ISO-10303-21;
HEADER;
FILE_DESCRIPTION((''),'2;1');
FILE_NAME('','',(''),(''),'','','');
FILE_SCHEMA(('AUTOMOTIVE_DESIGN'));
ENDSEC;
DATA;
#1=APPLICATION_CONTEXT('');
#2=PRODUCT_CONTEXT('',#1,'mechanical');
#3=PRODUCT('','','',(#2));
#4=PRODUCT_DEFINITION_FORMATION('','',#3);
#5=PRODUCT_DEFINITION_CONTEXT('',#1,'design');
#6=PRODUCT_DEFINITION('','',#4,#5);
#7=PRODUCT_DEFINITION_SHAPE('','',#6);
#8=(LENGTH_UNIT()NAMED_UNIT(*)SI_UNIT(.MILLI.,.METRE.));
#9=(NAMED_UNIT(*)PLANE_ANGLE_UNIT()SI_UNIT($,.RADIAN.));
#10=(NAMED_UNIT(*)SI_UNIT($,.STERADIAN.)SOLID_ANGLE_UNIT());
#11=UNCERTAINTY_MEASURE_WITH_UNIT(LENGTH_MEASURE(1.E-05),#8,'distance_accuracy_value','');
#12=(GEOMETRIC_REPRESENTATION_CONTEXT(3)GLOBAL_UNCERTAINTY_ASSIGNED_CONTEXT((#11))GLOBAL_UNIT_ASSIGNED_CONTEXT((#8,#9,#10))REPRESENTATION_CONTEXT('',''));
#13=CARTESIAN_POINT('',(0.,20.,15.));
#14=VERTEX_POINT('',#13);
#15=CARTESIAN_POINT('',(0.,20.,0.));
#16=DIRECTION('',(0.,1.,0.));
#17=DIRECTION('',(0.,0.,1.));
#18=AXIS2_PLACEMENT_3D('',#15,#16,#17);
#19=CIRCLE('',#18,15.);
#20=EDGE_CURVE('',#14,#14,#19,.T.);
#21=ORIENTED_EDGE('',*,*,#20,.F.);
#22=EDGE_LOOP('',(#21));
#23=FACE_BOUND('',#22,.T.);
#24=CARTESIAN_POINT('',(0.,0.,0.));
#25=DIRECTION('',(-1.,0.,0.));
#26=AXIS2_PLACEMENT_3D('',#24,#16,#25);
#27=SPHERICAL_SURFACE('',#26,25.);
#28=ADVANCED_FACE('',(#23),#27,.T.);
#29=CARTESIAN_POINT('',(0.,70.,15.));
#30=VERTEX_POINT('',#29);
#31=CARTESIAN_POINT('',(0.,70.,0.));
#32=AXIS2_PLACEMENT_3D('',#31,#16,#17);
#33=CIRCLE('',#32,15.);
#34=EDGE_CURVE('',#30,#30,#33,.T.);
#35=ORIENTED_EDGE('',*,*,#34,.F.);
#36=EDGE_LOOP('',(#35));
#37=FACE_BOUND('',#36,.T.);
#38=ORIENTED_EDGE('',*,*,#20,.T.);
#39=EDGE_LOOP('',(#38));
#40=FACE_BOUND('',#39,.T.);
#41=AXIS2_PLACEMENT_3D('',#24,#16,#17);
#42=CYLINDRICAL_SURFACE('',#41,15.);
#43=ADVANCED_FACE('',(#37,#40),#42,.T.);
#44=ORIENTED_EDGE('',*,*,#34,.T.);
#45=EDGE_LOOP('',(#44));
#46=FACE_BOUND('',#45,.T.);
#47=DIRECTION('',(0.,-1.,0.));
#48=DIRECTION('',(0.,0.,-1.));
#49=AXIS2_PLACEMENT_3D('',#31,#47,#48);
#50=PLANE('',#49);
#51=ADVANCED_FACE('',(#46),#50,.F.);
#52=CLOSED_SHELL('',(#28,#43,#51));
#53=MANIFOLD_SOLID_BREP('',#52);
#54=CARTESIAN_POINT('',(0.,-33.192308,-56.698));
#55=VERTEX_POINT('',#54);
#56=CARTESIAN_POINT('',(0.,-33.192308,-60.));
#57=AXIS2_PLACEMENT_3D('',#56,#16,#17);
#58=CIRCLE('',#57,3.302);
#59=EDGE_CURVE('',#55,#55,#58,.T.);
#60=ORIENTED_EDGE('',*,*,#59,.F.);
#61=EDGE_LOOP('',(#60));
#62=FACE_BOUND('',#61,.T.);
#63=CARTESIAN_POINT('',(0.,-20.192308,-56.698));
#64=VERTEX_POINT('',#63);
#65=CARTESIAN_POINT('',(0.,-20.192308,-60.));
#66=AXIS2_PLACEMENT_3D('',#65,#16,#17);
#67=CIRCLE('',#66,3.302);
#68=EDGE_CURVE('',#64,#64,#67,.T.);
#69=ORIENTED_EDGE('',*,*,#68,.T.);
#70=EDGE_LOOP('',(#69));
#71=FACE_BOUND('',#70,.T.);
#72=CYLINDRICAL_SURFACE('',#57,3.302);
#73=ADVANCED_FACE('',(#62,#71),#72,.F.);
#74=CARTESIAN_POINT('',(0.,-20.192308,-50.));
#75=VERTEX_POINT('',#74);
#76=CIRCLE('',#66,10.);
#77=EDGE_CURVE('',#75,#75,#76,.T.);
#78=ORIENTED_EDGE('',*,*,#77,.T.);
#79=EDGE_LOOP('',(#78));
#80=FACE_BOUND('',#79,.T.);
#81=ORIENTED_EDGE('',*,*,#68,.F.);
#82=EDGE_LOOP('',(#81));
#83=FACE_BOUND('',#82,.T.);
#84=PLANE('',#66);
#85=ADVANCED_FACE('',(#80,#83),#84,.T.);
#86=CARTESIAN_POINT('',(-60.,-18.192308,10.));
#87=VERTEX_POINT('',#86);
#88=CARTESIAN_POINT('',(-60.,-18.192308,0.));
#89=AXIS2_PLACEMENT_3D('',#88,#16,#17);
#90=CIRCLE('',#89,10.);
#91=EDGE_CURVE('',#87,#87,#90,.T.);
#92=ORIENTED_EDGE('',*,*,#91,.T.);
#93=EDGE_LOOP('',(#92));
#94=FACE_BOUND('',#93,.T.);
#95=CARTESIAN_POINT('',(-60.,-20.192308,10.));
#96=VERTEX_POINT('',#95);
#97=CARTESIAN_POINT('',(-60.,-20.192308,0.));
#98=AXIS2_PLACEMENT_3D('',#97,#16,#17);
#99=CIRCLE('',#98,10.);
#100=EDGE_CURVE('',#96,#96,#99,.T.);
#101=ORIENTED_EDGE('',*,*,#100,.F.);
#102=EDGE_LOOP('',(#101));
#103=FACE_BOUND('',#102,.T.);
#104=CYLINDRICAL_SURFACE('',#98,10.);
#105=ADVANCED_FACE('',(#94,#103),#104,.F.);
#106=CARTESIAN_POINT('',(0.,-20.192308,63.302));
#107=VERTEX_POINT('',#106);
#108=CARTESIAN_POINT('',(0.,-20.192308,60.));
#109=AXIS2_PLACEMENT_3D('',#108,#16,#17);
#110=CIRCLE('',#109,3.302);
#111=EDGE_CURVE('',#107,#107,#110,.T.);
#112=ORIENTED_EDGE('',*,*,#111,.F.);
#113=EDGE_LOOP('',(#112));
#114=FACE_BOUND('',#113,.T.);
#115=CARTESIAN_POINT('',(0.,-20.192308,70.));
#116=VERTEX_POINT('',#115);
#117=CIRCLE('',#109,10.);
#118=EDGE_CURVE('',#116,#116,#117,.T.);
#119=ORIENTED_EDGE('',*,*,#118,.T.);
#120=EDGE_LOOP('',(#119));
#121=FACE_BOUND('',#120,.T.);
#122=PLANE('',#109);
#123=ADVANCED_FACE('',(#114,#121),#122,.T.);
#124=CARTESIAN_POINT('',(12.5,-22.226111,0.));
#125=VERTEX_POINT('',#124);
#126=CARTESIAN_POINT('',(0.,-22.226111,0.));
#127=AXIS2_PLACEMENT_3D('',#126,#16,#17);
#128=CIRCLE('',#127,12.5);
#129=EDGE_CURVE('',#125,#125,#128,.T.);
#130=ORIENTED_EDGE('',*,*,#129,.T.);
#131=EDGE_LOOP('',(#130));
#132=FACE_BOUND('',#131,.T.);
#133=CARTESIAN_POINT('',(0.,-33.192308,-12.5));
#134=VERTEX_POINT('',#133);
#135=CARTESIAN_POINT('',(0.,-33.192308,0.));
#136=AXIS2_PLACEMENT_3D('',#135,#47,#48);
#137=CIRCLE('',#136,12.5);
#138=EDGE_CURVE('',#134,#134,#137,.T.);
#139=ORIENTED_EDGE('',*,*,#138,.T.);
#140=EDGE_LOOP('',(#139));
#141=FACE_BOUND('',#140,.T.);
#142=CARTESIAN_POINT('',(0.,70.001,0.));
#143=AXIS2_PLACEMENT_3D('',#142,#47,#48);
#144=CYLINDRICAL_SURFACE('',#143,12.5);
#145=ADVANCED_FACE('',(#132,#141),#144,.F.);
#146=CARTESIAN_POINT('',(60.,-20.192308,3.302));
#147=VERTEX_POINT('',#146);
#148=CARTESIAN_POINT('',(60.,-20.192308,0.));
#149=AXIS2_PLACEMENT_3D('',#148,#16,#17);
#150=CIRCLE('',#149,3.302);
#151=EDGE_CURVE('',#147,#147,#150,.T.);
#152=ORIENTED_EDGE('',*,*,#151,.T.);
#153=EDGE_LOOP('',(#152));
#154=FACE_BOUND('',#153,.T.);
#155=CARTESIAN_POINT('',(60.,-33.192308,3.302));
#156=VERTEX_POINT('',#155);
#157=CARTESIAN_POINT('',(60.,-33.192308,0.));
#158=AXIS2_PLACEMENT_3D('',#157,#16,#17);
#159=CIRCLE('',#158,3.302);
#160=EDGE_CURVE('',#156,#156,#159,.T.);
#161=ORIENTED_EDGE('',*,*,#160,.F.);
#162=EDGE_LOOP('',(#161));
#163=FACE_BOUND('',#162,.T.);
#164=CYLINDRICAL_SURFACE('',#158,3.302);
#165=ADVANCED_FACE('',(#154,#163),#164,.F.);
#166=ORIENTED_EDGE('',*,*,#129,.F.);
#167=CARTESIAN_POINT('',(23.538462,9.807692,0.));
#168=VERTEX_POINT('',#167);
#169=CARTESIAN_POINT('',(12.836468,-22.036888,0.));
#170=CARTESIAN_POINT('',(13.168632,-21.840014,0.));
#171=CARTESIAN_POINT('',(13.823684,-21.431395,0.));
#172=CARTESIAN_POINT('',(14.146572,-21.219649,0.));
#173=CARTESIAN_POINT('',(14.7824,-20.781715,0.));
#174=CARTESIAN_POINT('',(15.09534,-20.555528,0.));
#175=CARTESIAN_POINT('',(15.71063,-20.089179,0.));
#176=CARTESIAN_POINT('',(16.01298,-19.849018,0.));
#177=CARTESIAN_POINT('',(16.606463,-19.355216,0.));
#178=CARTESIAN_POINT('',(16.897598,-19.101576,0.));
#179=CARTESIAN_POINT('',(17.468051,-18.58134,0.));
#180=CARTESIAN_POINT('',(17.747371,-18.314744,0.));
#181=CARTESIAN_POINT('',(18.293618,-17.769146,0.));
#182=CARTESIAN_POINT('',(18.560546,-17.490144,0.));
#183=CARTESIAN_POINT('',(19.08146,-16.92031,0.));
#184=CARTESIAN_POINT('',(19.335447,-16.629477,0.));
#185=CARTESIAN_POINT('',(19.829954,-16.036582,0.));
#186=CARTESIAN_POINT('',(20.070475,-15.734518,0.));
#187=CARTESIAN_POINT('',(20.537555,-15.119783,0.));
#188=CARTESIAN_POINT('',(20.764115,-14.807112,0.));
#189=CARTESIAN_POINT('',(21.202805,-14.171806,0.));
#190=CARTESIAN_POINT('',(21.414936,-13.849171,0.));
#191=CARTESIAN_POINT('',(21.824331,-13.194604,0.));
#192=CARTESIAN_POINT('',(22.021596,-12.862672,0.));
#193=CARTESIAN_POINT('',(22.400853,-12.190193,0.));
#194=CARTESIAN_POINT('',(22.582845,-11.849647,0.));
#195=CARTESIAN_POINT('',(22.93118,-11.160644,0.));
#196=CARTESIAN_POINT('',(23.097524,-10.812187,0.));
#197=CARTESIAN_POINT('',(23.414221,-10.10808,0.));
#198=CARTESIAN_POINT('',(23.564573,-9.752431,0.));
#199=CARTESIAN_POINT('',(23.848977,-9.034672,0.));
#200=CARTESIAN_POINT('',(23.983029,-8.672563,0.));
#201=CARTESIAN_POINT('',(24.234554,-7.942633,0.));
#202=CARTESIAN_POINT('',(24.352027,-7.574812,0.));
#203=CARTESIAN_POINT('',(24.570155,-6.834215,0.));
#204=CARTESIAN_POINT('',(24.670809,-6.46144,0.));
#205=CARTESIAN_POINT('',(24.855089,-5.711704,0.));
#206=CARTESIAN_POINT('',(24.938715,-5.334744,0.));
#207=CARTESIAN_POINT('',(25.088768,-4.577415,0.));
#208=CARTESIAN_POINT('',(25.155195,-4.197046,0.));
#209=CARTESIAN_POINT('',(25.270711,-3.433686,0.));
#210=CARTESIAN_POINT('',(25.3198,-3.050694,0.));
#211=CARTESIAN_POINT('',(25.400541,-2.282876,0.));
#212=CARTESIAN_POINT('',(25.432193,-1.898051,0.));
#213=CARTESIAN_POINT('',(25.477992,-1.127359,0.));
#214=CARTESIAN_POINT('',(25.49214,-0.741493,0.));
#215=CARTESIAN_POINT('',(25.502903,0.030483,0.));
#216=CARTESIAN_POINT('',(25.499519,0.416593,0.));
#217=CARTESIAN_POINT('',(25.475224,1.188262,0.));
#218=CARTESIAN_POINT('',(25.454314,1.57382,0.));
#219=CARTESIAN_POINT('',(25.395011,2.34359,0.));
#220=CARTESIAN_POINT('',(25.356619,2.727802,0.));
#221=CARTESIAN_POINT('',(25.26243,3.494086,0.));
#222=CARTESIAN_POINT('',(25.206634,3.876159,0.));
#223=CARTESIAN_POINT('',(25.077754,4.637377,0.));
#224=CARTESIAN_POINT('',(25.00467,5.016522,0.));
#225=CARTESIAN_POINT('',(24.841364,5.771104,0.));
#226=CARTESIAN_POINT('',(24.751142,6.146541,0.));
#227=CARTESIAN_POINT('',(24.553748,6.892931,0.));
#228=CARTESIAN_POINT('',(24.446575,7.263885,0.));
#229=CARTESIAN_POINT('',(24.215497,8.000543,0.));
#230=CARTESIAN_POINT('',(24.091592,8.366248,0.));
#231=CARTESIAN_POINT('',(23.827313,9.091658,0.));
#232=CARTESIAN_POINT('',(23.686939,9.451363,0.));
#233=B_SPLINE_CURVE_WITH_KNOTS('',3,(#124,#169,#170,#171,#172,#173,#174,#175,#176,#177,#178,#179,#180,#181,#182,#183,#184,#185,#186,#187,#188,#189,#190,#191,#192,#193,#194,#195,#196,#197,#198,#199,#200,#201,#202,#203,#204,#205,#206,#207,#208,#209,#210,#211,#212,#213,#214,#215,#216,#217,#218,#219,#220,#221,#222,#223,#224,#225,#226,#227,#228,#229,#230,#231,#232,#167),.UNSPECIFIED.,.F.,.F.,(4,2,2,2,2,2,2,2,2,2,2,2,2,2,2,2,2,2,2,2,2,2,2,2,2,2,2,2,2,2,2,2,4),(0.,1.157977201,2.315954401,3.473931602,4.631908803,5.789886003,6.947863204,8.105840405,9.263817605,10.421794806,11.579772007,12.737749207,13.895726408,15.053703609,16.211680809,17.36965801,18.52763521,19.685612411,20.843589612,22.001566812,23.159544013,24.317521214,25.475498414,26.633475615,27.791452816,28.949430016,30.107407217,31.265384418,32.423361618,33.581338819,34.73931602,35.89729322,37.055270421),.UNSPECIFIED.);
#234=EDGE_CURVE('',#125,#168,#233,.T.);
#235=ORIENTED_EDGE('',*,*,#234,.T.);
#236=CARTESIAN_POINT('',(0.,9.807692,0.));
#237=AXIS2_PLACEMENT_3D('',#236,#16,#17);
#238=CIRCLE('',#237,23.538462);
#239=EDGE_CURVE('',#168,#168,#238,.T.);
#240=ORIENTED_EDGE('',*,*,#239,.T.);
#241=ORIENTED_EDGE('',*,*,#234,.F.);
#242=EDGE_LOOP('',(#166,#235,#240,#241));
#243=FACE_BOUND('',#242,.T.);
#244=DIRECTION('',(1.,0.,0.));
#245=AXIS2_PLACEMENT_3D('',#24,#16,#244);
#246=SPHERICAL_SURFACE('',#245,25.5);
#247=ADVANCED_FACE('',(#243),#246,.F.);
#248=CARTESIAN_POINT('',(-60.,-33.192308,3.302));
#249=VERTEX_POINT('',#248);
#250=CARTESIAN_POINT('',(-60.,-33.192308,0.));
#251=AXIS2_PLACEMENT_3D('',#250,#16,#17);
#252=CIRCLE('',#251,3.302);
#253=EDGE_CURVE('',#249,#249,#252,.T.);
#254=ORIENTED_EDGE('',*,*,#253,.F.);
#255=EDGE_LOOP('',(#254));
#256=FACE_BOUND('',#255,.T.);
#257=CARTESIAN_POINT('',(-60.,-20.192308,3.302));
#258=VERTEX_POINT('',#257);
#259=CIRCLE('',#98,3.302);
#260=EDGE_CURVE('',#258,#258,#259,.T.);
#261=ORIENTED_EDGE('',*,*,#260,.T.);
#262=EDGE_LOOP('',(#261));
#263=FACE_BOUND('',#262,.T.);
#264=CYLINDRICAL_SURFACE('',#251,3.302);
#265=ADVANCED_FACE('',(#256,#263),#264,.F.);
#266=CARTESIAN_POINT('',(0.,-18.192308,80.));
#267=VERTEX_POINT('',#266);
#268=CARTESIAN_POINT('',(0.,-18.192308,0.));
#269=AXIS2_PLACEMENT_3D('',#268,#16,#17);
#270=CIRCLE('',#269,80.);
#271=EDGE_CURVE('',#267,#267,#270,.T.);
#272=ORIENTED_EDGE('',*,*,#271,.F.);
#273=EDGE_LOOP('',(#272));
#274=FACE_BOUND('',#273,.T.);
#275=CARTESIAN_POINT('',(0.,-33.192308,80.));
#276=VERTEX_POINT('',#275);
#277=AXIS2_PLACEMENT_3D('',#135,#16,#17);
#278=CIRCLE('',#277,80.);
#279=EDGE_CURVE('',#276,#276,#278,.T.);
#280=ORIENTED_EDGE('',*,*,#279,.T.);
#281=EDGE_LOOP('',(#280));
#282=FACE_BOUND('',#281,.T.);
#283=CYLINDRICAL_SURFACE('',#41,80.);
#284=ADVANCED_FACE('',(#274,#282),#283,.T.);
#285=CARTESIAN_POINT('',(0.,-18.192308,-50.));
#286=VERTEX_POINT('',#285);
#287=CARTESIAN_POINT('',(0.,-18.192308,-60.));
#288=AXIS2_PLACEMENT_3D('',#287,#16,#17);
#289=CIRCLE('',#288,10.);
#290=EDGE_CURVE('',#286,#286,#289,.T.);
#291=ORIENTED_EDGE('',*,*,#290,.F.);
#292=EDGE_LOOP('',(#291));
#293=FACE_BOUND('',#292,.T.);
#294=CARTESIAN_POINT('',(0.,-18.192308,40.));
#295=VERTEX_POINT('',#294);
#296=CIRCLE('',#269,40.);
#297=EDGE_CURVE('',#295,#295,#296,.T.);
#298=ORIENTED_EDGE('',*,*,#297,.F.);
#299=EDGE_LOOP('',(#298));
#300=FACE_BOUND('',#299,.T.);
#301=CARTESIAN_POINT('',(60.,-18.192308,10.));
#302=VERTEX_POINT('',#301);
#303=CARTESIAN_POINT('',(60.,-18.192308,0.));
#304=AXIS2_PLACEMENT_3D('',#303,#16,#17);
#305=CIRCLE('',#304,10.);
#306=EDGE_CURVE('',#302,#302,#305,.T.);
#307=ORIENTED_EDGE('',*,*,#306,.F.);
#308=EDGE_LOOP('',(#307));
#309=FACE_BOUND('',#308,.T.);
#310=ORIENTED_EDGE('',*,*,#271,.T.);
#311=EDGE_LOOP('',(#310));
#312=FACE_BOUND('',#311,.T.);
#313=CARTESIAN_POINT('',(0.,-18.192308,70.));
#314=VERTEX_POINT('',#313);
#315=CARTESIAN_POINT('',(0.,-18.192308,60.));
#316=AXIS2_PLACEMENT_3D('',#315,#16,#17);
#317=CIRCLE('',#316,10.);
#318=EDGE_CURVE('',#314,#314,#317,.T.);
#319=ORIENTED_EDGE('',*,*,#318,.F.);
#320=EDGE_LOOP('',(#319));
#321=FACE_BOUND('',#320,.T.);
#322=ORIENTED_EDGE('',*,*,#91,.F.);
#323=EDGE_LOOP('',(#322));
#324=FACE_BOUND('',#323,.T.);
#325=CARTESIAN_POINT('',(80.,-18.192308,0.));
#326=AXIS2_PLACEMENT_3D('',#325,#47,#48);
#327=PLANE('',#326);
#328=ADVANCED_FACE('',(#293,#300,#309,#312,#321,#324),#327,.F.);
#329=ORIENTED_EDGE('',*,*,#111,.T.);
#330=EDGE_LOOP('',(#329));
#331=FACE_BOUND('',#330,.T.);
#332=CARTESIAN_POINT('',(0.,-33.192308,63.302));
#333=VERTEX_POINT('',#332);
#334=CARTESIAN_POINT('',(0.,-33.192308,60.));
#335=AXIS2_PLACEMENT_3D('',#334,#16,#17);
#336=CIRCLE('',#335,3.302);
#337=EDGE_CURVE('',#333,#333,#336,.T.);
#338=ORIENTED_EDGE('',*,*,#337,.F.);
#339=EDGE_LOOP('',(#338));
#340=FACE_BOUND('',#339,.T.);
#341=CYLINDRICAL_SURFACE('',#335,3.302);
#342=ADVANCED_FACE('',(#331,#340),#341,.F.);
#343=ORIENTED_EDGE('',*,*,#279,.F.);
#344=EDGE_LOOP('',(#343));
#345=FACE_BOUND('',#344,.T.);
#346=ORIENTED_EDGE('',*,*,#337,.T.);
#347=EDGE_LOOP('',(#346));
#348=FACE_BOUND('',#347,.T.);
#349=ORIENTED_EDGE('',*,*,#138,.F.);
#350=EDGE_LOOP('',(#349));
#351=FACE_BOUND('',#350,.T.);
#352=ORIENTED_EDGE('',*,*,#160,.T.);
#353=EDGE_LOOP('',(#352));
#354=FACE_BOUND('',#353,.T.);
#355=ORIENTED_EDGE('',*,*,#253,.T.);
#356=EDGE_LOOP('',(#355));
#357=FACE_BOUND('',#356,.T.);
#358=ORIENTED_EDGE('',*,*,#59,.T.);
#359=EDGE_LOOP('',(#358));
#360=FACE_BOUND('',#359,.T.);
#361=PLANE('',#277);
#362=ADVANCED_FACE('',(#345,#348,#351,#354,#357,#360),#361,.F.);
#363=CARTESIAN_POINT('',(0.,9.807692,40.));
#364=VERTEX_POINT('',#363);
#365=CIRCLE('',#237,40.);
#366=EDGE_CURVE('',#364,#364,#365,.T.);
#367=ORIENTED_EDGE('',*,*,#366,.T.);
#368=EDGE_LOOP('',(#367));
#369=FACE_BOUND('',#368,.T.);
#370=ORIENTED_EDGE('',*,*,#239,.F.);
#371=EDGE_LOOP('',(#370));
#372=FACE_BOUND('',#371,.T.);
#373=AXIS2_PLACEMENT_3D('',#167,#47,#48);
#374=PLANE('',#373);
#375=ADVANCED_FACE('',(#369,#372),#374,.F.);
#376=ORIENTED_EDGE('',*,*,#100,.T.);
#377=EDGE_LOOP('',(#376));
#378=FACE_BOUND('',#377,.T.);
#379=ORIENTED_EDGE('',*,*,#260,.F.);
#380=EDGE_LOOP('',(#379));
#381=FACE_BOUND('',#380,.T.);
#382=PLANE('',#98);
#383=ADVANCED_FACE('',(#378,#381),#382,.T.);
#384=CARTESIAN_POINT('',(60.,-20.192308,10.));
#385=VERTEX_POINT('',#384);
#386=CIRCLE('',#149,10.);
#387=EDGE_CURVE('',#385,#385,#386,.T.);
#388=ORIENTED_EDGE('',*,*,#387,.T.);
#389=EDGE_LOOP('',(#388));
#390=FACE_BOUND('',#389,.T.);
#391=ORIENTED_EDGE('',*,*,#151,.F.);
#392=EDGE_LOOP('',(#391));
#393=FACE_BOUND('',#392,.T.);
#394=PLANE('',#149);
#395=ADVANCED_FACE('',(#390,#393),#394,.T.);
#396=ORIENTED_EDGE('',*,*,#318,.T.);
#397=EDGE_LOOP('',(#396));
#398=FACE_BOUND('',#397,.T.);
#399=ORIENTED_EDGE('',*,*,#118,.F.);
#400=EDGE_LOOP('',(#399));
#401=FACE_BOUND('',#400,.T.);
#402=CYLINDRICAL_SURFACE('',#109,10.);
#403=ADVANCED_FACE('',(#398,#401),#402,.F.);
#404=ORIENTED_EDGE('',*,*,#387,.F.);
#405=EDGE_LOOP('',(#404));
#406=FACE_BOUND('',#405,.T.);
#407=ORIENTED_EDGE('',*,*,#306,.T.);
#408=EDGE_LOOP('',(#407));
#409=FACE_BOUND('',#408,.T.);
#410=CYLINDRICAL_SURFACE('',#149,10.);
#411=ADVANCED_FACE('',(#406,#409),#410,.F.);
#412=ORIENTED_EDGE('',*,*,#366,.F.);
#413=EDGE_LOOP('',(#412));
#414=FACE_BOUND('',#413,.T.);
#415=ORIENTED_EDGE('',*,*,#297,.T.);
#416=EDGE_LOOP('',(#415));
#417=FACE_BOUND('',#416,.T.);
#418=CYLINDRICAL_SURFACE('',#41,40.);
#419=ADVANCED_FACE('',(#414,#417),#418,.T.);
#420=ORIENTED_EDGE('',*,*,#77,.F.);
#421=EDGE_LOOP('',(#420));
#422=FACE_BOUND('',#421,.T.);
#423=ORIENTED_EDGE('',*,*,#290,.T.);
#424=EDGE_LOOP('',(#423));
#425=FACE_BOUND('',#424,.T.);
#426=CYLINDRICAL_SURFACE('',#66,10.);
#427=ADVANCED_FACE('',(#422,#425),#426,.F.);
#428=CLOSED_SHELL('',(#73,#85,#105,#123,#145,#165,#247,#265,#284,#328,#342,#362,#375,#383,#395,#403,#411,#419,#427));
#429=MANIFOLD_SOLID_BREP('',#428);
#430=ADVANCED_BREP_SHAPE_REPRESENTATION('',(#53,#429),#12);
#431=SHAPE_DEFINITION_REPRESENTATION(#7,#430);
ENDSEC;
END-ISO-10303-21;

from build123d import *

# Parameters (mm, degrees)
SKETCH2_R               = 10
CUT_EXTRUDE1_DEPTH      = 2
SKETCH3_R               = 3.302
CUT_EXTRUDE2_DEPTH      = 144.449932506
CUT_EXTRUDE3_REACH      = 155.13
CUT_EXTRUDE3_END_RADIUS = 25.5
SKETCH4_R               = 12.5


with BuildPart() as part:
    # Sketch1 → Revolve2 (revolve)
    with BuildSketch(Plane.XY, mode=Mode.PRIVATE) as revolve2_sk:
        with BuildLine():
            Line((0, 70), (15, 70))
            Line((15, 70), (15, 20))
            ThreePointArc((15, 20), (23.717082451, -7.90569415), (0, -25))
            Line((0, -25), (0, 70))
        make_face()
        with BuildLine():
            Line((23.538461538, 9.807692308), (40, 9.807692308))
            Line((40, 9.807692308), (40, -18.192307692))
            Line((40, -18.192307692), (80, -18.192307692))
            Line((80, -18.192307692), (80, -33.192307692))
            Line((80, -33.192307692), (0, -33.192307692))
            Line((0, -33.192307692), (0, -25.5))
            ThreePointArc((0, -25.5), (21.217282506, -14.144855004), (23.538461538, 9.807692308))
        make_face()
    revolve(revolve2_sk.sketch.rotate(Axis((0, 0, 0), (0, -1, 0)), 90), axis=Axis((0, 0, 0), (0, -1, 0)))

    # Sketch2 → Cut-Extrude1 (cut)
    with BuildSketch(Plane(origin=(0, -18.192307692, 0), x_dir=(1, 0, 0), z_dir=(0, 1, 0))):
        with Locations(Location((0, 60, 0), (0, 0, 270))):
            Circle(SKETCH2_R)
        with Locations(Location((60, 0, 0), (0, 0, 270))):
            Circle(SKETCH2_R)
        with Locations(Location((0, -60, 0), (0, 0, 270))):
            Circle(SKETCH2_R)
        with Locations(Location((-60, 0, 0), (0, 0, 270))):
            Circle(SKETCH2_R)
    extrude(amount=-CUT_EXTRUDE1_DEPTH, mode=Mode.SUBTRACT)

    # Sketch3 → Cut-Extrude2 (cut, through all)
    with BuildSketch(Plane(origin=(0, -18.192307692, 0), x_dir=(1, 0, 0), z_dir=(0, 1, 0))):
        with Locations(Location((0, 60, 0), (0, 0, 270))):
            Circle(SKETCH3_R)
        with Locations(Location((60, 0, 0), (0, 0, 270))):
            Circle(SKETCH3_R)
        with Locations(Location((0, -60, 0), (0, 0, 270))):
            Circle(SKETCH3_R)
        with Locations(Location((-60, 0, 0), (0, 0, 270))):
            Circle(SKETCH3_R)
    extrude(amount=-CUT_EXTRUDE2_DEPTH, mode=Mode.SUBTRACT)

    # Cut-Extrude3: up to this sphere (the profile starts outside it)
    cut_extrude3_end = Location((0, 0, 0)) * Sphere(CUT_EXTRUDE3_END_RADIUS, mode=Mode.PRIVATE)
    # Sketch4 → Cut-Extrude3 (cut, up to the surface)
    with BuildSketch(Plane.XZ.offset(33.192307692), mode=Mode.PRIVATE) as cut_extrude3_sk1:
        with Locations(Location((0, 0, 0), (0, 0, 270))):
            Circle(SKETCH4_R)
    cut_extrude3_tool1 = extrude(cut_extrude3_sk1.sketch, amount=-CUT_EXTRUDE3_REACH, mode=Mode.PRIVATE) - cut_extrude3_end
    add(cut_extrude3_tool1.solids().sort_by_distance((0, -33.192308, 0))[0], mode=Mode.SUBTRACT)


solid = part.part
